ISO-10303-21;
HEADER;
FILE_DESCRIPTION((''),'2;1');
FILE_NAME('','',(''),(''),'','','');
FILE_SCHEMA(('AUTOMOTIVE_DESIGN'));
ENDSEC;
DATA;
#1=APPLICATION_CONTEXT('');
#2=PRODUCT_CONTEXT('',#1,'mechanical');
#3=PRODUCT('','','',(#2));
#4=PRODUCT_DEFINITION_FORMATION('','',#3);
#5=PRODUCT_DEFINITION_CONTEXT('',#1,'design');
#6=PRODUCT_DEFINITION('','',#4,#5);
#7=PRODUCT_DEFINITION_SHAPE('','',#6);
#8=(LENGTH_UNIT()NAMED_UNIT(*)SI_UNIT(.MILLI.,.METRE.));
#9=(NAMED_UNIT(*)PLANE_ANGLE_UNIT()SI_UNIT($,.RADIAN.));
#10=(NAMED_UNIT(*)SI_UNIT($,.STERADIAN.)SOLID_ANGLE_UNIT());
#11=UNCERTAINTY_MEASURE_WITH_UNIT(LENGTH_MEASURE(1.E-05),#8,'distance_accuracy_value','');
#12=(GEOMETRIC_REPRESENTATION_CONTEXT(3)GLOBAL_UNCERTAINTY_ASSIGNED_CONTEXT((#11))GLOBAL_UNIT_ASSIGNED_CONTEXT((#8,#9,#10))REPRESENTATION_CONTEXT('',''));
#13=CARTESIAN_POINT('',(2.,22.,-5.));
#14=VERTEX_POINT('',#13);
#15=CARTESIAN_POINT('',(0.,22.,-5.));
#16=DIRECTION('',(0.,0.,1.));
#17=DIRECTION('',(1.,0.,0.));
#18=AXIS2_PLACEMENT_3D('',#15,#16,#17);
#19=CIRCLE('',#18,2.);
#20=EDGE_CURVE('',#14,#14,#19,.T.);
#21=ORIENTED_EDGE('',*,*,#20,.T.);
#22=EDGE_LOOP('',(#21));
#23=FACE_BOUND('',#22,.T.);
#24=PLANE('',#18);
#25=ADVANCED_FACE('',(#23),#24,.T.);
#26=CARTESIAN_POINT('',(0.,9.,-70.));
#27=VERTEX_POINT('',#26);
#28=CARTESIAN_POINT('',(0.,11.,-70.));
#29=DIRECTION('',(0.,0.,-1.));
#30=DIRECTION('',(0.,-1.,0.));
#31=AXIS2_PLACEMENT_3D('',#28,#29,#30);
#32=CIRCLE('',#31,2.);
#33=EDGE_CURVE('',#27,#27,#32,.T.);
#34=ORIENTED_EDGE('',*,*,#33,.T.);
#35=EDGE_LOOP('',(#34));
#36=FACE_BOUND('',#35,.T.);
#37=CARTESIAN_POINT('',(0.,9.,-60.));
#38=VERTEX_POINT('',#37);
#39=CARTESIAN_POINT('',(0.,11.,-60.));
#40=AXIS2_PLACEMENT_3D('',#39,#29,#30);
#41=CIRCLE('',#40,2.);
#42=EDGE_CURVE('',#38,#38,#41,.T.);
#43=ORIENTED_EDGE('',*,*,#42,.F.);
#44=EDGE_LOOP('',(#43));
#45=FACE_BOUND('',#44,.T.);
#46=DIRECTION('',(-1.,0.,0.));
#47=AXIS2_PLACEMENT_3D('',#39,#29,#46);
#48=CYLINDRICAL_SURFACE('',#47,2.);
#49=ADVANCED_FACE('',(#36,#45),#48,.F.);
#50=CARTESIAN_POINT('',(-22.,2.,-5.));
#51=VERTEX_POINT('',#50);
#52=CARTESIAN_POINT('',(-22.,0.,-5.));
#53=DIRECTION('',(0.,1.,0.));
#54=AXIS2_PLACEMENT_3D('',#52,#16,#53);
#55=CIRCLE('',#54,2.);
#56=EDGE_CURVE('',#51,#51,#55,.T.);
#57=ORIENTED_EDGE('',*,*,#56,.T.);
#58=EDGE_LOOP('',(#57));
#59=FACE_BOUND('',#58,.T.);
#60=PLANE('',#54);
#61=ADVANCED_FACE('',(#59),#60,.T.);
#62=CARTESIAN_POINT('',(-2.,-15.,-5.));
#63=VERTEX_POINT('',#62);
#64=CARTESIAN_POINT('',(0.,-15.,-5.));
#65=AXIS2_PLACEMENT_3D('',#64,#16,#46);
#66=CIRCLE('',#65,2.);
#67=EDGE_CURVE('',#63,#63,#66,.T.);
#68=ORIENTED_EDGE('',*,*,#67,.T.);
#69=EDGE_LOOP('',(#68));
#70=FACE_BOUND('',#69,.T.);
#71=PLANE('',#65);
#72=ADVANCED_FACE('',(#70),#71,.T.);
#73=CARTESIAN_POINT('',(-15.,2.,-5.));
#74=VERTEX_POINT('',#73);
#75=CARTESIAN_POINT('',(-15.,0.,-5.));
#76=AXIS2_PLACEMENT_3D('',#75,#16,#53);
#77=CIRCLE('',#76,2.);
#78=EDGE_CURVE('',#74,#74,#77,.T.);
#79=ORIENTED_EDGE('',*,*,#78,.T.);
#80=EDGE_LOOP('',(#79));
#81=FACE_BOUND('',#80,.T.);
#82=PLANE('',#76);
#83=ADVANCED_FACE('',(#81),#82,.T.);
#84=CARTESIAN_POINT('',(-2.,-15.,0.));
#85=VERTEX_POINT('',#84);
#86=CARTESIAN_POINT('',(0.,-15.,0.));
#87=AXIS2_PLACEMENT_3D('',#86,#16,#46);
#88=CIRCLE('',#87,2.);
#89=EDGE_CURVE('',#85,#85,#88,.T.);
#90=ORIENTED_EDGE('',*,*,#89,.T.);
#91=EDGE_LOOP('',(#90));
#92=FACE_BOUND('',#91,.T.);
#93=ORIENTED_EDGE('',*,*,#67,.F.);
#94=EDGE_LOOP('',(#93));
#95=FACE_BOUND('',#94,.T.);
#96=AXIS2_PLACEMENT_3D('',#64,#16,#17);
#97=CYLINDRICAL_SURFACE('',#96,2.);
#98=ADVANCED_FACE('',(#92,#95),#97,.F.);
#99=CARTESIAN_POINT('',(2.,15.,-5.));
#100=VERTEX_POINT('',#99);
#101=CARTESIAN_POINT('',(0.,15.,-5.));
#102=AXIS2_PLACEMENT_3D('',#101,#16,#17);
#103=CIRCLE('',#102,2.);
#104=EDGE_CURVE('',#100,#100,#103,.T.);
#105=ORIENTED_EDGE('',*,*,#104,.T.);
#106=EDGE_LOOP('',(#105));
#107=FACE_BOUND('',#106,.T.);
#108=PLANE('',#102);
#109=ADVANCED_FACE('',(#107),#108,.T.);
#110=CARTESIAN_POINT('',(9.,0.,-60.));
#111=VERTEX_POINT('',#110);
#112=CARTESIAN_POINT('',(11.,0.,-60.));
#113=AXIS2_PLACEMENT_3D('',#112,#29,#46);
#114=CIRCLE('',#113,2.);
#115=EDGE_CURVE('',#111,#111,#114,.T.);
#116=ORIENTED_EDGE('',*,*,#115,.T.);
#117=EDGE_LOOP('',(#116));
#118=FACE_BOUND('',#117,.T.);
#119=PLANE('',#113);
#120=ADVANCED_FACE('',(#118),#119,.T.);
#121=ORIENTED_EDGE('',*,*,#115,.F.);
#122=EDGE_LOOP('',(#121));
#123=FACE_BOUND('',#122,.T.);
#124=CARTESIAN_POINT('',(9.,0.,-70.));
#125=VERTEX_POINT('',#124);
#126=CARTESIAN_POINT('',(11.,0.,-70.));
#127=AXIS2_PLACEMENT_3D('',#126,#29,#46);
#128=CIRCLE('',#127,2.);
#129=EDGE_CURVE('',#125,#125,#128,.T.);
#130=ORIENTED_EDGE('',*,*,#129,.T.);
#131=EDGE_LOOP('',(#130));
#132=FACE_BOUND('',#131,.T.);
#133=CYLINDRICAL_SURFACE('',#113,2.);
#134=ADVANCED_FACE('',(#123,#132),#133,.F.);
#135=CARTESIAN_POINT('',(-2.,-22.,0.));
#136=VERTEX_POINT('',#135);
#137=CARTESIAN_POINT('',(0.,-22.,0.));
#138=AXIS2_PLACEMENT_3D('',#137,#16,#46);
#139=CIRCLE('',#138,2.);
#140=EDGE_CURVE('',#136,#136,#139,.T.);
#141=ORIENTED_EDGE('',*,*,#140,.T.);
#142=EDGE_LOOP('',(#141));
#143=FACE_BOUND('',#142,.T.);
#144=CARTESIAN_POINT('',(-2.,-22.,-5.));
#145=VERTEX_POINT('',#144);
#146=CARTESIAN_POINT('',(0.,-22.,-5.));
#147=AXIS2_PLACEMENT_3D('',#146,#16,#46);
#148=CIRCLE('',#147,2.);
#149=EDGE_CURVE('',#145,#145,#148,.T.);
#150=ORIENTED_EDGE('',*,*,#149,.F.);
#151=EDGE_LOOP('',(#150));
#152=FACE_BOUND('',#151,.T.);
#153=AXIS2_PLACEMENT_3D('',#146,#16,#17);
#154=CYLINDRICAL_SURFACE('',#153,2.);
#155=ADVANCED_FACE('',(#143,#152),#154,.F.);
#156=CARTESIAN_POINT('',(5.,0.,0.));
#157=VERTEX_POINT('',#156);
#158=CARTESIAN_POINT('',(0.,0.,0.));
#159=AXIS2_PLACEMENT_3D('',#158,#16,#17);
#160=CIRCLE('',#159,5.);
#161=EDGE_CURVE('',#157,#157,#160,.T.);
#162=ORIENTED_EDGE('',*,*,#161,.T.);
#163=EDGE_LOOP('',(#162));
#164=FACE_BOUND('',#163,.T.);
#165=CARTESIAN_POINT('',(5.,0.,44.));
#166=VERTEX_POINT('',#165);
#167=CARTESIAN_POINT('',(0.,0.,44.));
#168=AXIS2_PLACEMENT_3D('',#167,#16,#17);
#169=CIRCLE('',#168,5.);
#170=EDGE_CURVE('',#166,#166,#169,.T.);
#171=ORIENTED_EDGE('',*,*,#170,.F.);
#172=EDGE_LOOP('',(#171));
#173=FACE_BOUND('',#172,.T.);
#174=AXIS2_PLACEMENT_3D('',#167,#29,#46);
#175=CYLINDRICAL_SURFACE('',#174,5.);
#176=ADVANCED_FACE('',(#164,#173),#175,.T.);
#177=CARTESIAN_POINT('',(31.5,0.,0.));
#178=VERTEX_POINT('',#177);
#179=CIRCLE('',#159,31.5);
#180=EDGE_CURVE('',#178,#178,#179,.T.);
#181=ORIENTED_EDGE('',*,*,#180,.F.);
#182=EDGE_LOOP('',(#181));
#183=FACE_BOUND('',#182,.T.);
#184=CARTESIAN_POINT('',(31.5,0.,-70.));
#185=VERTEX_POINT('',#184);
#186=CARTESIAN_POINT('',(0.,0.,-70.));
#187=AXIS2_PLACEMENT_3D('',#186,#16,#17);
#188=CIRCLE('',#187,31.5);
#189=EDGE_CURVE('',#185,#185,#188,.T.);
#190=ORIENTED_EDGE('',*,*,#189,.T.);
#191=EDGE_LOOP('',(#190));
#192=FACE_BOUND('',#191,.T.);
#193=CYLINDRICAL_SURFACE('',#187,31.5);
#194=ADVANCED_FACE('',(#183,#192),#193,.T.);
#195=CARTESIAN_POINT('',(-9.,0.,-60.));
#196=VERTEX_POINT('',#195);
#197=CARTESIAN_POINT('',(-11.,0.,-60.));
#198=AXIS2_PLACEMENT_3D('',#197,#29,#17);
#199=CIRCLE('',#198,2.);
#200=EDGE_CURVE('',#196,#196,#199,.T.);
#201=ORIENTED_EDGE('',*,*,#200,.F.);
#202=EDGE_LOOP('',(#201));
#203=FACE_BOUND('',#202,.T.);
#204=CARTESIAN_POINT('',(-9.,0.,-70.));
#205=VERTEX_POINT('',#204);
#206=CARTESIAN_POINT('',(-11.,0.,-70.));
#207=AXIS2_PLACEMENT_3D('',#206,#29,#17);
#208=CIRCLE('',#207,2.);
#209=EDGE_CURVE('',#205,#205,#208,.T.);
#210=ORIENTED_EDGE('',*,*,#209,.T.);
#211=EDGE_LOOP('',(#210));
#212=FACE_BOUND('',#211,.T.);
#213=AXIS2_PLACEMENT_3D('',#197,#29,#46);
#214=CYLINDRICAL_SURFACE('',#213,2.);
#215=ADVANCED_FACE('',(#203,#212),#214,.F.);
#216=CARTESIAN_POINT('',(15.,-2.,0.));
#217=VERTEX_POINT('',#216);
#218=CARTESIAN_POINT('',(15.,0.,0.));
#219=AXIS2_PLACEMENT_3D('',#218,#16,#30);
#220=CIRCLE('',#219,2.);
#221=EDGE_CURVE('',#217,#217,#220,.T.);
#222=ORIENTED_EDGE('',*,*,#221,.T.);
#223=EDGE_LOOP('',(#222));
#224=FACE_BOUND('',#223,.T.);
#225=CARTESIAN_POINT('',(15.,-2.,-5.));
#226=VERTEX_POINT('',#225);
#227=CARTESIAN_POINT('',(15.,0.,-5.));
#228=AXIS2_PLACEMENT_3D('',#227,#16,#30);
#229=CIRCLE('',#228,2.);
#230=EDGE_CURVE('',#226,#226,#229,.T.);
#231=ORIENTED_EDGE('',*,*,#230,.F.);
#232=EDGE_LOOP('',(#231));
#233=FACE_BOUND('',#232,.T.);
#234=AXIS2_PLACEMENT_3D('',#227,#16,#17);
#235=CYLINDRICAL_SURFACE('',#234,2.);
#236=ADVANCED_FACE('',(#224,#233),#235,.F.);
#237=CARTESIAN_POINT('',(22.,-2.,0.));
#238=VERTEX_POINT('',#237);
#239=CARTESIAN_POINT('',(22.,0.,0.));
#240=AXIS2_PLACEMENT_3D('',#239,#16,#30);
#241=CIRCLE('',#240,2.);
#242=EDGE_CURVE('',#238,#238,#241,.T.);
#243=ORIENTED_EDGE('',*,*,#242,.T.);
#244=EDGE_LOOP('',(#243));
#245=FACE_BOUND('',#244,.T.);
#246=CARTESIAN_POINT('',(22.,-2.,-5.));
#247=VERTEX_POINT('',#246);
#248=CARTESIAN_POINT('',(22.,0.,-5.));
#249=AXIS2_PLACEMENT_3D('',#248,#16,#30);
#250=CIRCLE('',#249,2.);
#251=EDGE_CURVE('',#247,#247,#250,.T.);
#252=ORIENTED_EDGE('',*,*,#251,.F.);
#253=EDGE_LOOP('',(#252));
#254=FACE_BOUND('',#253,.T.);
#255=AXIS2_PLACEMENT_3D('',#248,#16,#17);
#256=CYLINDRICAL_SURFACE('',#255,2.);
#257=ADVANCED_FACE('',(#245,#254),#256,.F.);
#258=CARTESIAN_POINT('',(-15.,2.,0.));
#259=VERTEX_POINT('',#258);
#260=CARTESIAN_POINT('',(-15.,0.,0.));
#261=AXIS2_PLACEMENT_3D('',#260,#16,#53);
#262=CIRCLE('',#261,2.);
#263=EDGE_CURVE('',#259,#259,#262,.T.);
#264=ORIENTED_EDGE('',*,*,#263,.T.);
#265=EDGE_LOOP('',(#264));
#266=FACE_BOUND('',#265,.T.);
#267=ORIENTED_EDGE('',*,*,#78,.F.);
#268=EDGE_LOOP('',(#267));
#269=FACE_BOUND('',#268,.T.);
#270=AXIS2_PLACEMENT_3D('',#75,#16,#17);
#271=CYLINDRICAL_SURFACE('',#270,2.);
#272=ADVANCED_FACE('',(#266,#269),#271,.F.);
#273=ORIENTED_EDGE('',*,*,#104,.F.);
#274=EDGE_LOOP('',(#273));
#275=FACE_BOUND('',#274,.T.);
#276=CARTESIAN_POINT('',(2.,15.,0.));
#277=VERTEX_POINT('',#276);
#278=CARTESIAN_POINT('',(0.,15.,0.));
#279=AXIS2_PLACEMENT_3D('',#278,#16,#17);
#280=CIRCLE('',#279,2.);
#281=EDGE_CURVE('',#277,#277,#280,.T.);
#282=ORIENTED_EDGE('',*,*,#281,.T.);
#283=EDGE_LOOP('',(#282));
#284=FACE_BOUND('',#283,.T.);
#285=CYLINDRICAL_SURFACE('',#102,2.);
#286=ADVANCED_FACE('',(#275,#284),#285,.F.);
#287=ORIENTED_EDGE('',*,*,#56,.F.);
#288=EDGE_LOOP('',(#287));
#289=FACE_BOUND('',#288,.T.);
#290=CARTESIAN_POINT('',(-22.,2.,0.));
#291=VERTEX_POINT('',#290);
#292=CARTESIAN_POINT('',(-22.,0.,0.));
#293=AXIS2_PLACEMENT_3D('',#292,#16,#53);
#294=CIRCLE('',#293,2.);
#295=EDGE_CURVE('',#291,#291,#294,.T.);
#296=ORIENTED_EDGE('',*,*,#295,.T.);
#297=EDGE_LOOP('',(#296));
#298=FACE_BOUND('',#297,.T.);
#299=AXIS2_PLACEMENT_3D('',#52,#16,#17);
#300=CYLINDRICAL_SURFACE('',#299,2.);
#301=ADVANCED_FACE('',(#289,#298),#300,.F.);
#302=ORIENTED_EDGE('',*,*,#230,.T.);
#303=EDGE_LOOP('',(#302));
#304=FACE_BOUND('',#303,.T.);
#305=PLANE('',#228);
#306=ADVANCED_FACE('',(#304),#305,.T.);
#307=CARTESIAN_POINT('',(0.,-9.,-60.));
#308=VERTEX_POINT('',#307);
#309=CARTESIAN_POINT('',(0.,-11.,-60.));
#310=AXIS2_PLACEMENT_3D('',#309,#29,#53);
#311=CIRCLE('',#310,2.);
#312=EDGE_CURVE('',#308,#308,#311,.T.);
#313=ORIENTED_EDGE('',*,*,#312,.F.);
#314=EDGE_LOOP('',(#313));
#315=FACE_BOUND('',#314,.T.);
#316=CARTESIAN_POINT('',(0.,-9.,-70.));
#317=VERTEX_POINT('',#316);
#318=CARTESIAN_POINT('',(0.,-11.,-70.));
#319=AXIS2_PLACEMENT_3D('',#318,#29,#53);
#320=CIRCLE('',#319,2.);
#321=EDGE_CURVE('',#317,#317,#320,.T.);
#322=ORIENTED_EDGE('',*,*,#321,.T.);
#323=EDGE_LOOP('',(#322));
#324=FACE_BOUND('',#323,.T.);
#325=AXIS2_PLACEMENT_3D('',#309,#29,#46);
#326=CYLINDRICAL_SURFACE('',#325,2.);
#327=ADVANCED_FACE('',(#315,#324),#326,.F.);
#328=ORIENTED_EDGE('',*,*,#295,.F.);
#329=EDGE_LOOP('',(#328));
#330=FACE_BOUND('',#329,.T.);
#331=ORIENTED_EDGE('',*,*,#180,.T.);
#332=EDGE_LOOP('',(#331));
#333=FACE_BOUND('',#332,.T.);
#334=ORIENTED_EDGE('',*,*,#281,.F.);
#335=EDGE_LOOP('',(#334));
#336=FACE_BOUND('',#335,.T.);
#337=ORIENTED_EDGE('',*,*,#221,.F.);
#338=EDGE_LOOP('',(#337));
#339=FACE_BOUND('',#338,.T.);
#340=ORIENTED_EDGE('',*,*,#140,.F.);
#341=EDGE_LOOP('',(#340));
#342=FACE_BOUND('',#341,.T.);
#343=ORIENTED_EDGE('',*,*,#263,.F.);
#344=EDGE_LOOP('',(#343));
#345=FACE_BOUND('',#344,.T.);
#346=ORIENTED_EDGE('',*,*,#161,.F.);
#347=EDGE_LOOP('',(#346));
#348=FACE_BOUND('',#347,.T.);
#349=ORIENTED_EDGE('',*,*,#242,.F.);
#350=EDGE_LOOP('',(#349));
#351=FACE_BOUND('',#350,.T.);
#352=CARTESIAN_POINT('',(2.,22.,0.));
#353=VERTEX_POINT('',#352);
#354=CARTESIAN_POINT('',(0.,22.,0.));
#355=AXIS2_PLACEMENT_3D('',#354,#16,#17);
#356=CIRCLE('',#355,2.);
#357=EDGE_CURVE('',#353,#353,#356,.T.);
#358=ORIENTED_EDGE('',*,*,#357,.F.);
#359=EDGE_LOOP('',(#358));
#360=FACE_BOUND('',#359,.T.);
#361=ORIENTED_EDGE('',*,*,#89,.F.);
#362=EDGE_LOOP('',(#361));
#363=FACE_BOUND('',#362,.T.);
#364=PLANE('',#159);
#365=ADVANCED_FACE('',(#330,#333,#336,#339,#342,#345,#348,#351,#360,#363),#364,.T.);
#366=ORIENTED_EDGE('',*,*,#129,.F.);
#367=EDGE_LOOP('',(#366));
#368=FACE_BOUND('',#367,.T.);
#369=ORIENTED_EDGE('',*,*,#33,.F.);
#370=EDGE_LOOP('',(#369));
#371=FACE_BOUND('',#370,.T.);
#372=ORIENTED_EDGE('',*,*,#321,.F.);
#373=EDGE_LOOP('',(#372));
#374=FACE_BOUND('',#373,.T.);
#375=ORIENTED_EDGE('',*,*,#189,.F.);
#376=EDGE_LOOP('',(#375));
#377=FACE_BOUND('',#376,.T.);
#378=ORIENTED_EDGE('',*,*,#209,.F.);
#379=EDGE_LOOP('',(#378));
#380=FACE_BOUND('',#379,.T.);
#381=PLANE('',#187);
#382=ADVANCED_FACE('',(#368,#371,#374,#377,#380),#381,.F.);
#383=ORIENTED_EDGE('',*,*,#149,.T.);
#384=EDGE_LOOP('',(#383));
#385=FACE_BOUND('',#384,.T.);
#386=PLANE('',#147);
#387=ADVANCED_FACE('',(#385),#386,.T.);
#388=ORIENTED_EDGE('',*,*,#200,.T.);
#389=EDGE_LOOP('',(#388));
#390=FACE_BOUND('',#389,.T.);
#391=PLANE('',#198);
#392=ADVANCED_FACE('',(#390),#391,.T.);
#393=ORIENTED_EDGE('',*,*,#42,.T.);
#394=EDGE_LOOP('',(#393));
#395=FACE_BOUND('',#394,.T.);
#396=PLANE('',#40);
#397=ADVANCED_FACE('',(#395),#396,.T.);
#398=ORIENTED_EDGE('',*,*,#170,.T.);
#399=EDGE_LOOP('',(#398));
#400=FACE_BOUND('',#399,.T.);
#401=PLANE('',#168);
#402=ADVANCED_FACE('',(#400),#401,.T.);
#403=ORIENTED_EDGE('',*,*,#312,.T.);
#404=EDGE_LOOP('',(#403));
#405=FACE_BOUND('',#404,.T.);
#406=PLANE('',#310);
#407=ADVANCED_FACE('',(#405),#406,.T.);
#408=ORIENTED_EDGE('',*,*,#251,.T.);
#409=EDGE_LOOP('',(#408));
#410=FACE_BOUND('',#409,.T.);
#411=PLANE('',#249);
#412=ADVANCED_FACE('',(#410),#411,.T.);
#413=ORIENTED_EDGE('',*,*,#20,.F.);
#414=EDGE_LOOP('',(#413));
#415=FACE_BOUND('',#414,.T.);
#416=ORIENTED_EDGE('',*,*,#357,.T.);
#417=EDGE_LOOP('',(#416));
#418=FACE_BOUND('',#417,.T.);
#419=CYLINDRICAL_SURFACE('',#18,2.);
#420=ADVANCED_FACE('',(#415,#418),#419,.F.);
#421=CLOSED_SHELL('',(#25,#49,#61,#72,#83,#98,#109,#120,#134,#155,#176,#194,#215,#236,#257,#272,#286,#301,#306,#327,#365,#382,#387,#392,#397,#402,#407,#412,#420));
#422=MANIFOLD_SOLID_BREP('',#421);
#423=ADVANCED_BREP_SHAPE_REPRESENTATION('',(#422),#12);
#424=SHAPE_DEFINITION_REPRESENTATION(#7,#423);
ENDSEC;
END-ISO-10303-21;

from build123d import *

# Parameters (mm, degrees)
SKETCH1_R           = 31.5
BOSS_EXTRUDE1_DEPTH = 70
SKETCH2_R           = 5
BOSS_EXTRUDE2_DEPTH = 44
SKETCH5_R           = 2
CUT_EXTRUDE2_DEPTH  = 10
SKETCH6_R           = 2
CUT_EXTRUDE3_DEPTH  = 5
CIRPATTERN1_COUNT   = 4
CIRPATTERN2_COUNT   = 4


with BuildPart() as part:
    # Sketch1 → Boss-Extrude1 (new body)
    with BuildSketch(Plane.XY):
        Circle(SKETCH1_R)
    extrude(amount=-BOSS_EXTRUDE1_DEPTH)

    # Sketch2 → Boss-Extrude2 (add)
    with BuildSketch(Plane.XY):
        Circle(SKETCH2_R)
    extrude(amount=BOSS_EXTRUDE2_DEPTH)

    # Sketch5 → Cut-Extrude2 (cut)
    with BuildSketch(Plane(origin=(0, 0, -70), x_dir=(-1, 0, 0), z_dir=(0, 0, -1))):
        with Locations((-11, 0)):
            Circle(SKETCH5_R)
    cut_extrude2 = extrude(amount=-CUT_EXTRUDE2_DEPTH, mode=Mode.SUBTRACT)

    # Sketch6 → Cut-Extrude3 (cut)
    with BuildSketch(Plane.XY):
        with Locations((0, 15)):
            Circle(SKETCH6_R)
        with Locations((0, 22)):
            Circle(SKETCH6_R)
    cut_extrude3 = extrude(amount=-CUT_EXTRUDE3_DEPTH, mode=Mode.SUBTRACT)

    # CirPattern1: Cut-Extrude3 ×4 about axis
    cirpattern1_axis = Axis((0, 0, 0), (0, 0, 1))
    for i in range(1, CIRPATTERN1_COUNT):
        add(cut_extrude3.rotate(cirpattern1_axis, i * 360 / CIRPATTERN1_COUNT), mode=Mode.SUBTRACT)

    # CirPattern2: Cut-Extrude2 ×4 about axis
    cirpattern2_axis = Axis((0, 0, 0), (0, 0, 1))
    for i in range(1, CIRPATTERN2_COUNT):
        add(cut_extrude2.rotate(cirpattern2_axis, i * 360 / CIRPATTERN2_COUNT), mode=Mode.SUBTRACT)


solid = part.part
